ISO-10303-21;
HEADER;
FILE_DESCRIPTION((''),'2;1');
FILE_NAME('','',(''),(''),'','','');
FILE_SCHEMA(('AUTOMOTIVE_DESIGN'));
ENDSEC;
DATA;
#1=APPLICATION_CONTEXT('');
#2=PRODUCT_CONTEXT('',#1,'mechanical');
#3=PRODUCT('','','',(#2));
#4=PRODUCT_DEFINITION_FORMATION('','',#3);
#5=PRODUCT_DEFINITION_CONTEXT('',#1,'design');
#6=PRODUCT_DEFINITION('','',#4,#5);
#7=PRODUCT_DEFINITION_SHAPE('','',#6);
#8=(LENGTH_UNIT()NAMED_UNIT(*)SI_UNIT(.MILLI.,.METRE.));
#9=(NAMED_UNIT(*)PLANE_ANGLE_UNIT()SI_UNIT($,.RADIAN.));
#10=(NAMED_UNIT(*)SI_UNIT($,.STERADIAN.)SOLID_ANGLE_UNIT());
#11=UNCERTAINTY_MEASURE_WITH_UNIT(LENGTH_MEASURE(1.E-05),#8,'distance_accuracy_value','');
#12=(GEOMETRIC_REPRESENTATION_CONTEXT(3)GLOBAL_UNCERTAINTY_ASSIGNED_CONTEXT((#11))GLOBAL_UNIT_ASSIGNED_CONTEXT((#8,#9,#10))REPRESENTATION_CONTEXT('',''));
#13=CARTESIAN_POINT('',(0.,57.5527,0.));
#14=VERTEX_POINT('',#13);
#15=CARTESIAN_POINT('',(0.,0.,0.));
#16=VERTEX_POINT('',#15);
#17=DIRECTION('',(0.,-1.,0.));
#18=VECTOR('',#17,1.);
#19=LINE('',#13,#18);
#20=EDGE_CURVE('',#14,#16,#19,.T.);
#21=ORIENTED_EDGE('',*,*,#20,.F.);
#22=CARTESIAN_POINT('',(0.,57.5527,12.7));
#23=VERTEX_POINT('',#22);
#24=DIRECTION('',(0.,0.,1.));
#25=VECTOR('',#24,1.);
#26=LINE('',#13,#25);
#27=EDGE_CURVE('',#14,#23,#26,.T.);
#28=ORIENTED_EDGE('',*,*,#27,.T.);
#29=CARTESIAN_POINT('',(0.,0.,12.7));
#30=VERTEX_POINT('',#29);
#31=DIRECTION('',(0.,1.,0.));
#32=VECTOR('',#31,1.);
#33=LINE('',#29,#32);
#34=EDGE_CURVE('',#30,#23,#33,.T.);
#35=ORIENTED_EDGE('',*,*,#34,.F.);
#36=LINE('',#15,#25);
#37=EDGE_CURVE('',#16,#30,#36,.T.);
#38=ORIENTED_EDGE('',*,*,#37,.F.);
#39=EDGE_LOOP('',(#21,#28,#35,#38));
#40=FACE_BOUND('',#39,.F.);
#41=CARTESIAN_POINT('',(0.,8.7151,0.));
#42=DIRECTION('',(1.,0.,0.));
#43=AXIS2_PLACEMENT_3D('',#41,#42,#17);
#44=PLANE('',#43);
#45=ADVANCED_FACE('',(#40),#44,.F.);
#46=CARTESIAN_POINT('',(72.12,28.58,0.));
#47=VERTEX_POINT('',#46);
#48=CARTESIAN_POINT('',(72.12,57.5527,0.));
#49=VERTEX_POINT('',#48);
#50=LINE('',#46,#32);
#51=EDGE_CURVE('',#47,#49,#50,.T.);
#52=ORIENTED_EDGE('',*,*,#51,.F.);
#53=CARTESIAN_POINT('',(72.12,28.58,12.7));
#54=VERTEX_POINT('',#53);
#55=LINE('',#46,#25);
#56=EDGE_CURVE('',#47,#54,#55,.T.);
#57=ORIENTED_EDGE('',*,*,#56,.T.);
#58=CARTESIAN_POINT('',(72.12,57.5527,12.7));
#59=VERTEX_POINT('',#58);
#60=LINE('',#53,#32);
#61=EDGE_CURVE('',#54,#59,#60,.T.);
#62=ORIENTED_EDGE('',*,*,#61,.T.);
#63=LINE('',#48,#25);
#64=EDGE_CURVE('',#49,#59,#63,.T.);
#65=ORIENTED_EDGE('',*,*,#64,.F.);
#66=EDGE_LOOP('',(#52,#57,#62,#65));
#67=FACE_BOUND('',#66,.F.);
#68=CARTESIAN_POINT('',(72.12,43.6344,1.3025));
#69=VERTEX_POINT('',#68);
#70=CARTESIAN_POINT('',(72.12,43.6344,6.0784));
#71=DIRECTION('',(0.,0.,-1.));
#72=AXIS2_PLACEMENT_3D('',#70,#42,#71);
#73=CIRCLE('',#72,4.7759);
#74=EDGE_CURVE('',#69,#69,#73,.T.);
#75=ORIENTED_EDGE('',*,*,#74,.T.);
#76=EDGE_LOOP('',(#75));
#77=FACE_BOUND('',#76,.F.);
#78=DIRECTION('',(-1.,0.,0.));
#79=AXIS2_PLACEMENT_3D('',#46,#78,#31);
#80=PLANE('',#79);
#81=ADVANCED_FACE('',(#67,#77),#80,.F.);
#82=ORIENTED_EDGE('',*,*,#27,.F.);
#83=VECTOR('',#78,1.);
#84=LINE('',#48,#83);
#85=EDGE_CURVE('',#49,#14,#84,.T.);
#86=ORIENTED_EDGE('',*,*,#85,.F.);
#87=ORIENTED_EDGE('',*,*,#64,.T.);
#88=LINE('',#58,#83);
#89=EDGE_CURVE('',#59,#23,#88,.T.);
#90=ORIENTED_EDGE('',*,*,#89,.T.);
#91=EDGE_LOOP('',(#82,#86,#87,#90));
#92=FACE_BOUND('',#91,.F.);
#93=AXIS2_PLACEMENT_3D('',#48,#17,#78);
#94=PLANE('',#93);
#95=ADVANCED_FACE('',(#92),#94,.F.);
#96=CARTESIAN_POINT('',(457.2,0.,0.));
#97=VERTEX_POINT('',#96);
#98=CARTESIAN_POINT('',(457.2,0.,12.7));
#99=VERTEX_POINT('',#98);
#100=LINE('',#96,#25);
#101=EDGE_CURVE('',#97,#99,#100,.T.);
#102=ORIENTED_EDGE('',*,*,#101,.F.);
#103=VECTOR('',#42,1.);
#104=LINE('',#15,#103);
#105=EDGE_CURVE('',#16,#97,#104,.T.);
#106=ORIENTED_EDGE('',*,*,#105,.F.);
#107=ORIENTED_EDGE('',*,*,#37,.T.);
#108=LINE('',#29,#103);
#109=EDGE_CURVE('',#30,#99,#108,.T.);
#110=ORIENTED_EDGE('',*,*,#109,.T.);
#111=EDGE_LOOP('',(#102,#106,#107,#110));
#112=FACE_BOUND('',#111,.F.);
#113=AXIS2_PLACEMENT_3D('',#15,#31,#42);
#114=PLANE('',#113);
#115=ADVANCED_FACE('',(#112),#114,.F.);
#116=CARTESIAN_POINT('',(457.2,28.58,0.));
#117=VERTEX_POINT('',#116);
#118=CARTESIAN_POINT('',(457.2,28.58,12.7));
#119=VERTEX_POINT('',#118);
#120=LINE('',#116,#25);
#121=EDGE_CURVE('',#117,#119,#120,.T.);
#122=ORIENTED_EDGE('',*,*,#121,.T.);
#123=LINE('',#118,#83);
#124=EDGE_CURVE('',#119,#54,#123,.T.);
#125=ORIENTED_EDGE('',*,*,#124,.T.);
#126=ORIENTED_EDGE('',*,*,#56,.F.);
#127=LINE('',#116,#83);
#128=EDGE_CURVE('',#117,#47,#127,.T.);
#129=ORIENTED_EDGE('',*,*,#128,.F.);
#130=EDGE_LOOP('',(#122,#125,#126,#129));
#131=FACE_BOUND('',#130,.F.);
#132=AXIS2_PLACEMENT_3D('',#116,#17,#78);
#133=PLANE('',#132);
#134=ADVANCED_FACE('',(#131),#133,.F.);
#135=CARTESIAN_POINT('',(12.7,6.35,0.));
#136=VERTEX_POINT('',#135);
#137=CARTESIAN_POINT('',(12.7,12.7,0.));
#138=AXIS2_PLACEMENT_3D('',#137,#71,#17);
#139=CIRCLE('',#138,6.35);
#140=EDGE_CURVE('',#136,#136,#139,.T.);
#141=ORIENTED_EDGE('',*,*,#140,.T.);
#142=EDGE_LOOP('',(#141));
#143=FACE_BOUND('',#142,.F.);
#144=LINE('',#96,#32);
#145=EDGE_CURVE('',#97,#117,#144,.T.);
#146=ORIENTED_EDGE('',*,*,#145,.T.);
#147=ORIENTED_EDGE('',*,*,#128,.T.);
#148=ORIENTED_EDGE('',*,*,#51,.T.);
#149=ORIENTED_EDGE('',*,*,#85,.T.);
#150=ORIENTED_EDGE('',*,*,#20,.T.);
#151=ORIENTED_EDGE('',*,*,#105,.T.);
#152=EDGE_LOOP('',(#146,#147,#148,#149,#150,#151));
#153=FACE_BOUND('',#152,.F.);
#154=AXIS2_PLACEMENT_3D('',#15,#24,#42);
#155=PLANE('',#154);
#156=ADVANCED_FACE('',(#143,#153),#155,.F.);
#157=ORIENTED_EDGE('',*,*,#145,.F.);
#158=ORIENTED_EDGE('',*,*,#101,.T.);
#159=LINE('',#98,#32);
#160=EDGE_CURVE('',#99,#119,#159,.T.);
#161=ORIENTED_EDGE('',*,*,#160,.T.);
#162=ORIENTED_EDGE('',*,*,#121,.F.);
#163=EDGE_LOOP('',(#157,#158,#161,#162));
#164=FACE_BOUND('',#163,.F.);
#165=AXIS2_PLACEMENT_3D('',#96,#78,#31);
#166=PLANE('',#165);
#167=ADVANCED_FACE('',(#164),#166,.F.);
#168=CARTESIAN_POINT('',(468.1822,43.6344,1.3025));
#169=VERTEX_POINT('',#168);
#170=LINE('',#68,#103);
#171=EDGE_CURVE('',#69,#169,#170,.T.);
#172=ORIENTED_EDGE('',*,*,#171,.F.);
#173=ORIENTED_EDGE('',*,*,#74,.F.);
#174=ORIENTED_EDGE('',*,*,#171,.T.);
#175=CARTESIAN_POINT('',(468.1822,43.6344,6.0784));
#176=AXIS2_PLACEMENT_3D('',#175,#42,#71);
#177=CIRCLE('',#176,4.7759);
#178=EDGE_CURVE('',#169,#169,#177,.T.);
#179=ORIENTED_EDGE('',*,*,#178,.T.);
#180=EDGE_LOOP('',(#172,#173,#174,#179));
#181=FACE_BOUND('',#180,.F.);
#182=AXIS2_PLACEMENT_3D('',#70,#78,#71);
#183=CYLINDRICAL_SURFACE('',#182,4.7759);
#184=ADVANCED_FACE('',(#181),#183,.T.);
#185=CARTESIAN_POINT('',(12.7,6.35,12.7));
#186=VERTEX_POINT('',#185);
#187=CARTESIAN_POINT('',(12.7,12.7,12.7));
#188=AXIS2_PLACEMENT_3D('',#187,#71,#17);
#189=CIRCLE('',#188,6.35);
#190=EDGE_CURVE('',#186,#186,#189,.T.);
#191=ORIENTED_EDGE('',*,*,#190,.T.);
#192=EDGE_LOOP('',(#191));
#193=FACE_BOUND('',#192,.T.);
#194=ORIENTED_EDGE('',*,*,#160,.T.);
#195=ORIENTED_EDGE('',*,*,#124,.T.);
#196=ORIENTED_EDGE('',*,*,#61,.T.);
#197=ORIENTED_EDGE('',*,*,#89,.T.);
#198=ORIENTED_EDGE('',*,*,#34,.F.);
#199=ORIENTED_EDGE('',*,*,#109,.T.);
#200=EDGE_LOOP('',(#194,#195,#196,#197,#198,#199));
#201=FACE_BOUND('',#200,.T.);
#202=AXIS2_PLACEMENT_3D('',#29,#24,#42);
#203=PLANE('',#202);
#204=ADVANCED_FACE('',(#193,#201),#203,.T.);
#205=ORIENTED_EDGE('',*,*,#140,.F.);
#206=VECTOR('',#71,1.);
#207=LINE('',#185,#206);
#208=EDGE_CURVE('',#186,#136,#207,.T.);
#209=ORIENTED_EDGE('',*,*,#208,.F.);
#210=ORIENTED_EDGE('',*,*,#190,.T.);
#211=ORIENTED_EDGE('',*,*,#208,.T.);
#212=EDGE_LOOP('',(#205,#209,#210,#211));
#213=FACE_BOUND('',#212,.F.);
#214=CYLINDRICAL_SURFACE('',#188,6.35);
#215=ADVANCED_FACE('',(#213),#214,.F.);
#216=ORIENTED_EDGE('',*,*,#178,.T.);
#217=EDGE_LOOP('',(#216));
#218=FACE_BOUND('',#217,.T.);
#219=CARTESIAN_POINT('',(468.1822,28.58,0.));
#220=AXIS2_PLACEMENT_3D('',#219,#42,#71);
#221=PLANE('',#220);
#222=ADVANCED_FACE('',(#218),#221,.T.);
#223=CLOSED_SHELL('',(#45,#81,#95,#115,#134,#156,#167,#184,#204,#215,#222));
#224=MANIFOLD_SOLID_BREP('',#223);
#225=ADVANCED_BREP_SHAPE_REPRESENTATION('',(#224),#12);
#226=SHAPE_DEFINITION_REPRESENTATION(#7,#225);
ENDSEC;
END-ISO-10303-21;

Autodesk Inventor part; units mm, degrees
ref_plane "YZ Plane" through (0, 0, 0) normal (1, 0, 0) x (0, 1, 0)
ref_plane "XZ Plane" through (0, 0, 0) normal (0, 1, 0) x (-1, 0, 0)
ref_plane "XY Plane" through (0, 0, 0) normal (0, 0, 1) x (1, 0, 0)
sketch "Sketch1" plane through (0, 0, 0) normal (0, 0, 1) x (1, 0, 0)
  line L0 (0, 0) -> (457.2, 0)
  line L1 (457.2, 0) -> (457.2, 28.58)
  line L2 (457.2, 28.58) -> (72.12, 28.58)
  line L3 (0, 28.58) -> (0, 0)
  line L4 (0, 8.7151) -> (0, 28.58)
  line L5 (72.12, 28.58) -> (72.12, 57.5527)
  line L6 (72.12, 57.5527) -> (0, 57.5527)
  line L7 (0, 57.5527) -> (0, 28.58)
  dimension "d0" = 457.2
  dimension "d2" = 28.58
  dimension "d4" = 72.12
extrude "Extrusion1" add sketch "Sketch1" along normal blind 12.7
sketch "Sketch2" plane through (72.12, 28.58, 0) normal (1, 0, 0) x (0, 0, -1)
  circle A0 centre (-6.0784, 15.0544) radius 4.7759
  line L0 (0, 28.9727) -> (-12.7, 28.9727) projected
  line L1 (-12.7, 0) -> (-12.7, 28.9727) projected
  point P0 (0, -28.58)
extrude "Extrusion2" add sketch "Sketch2" along normal blind 396.0622
sketch "Sketch3" plane through (72.12, 28.58, 0) normal (0, 1, 0) x (1, 0, 0)
  point P0 (-72.12, 0)
sketch "Sketch4" plane through (0, 0, 12.7) normal (0, 0, 1) x (1, 0, 0)
  circle A0 centre (12.7, 12.7) radius 6.35
  line L0 (0, 0) -> (457.2, 0) projected
  line L1 (0, 57.5527) -> (0, 0) projected
  dimension "d12" = 12.7
  dimension "d13" = 12.7
  dimension "d14" = 12.7
hole "Hole1" at (12.7, 12.7, 12.7) direction (0, 0, -1) diameter 12.7 end through all
equation "\"d20\" = Thickness"
equation "\"BendRadius\" = Thickness"
equation "\"BendReliefWidth\" = Thickness"
equation "\"BendReliefDepth\" = 0.5 * Thickness"
equation "\"CornerReliefSize\" = 4 * Thickness"
equation "\"MinimumRemnant\" = 2 * Thickness"
equation "\"TransitionRadius\" = BendRadius"
equation "\"JacobiRadiusSize\" = BendRadius"
equation "\"GapSize\" = Thickness"
equation "\"Thickness\" = 3.048"
properties part number "new bolt"
